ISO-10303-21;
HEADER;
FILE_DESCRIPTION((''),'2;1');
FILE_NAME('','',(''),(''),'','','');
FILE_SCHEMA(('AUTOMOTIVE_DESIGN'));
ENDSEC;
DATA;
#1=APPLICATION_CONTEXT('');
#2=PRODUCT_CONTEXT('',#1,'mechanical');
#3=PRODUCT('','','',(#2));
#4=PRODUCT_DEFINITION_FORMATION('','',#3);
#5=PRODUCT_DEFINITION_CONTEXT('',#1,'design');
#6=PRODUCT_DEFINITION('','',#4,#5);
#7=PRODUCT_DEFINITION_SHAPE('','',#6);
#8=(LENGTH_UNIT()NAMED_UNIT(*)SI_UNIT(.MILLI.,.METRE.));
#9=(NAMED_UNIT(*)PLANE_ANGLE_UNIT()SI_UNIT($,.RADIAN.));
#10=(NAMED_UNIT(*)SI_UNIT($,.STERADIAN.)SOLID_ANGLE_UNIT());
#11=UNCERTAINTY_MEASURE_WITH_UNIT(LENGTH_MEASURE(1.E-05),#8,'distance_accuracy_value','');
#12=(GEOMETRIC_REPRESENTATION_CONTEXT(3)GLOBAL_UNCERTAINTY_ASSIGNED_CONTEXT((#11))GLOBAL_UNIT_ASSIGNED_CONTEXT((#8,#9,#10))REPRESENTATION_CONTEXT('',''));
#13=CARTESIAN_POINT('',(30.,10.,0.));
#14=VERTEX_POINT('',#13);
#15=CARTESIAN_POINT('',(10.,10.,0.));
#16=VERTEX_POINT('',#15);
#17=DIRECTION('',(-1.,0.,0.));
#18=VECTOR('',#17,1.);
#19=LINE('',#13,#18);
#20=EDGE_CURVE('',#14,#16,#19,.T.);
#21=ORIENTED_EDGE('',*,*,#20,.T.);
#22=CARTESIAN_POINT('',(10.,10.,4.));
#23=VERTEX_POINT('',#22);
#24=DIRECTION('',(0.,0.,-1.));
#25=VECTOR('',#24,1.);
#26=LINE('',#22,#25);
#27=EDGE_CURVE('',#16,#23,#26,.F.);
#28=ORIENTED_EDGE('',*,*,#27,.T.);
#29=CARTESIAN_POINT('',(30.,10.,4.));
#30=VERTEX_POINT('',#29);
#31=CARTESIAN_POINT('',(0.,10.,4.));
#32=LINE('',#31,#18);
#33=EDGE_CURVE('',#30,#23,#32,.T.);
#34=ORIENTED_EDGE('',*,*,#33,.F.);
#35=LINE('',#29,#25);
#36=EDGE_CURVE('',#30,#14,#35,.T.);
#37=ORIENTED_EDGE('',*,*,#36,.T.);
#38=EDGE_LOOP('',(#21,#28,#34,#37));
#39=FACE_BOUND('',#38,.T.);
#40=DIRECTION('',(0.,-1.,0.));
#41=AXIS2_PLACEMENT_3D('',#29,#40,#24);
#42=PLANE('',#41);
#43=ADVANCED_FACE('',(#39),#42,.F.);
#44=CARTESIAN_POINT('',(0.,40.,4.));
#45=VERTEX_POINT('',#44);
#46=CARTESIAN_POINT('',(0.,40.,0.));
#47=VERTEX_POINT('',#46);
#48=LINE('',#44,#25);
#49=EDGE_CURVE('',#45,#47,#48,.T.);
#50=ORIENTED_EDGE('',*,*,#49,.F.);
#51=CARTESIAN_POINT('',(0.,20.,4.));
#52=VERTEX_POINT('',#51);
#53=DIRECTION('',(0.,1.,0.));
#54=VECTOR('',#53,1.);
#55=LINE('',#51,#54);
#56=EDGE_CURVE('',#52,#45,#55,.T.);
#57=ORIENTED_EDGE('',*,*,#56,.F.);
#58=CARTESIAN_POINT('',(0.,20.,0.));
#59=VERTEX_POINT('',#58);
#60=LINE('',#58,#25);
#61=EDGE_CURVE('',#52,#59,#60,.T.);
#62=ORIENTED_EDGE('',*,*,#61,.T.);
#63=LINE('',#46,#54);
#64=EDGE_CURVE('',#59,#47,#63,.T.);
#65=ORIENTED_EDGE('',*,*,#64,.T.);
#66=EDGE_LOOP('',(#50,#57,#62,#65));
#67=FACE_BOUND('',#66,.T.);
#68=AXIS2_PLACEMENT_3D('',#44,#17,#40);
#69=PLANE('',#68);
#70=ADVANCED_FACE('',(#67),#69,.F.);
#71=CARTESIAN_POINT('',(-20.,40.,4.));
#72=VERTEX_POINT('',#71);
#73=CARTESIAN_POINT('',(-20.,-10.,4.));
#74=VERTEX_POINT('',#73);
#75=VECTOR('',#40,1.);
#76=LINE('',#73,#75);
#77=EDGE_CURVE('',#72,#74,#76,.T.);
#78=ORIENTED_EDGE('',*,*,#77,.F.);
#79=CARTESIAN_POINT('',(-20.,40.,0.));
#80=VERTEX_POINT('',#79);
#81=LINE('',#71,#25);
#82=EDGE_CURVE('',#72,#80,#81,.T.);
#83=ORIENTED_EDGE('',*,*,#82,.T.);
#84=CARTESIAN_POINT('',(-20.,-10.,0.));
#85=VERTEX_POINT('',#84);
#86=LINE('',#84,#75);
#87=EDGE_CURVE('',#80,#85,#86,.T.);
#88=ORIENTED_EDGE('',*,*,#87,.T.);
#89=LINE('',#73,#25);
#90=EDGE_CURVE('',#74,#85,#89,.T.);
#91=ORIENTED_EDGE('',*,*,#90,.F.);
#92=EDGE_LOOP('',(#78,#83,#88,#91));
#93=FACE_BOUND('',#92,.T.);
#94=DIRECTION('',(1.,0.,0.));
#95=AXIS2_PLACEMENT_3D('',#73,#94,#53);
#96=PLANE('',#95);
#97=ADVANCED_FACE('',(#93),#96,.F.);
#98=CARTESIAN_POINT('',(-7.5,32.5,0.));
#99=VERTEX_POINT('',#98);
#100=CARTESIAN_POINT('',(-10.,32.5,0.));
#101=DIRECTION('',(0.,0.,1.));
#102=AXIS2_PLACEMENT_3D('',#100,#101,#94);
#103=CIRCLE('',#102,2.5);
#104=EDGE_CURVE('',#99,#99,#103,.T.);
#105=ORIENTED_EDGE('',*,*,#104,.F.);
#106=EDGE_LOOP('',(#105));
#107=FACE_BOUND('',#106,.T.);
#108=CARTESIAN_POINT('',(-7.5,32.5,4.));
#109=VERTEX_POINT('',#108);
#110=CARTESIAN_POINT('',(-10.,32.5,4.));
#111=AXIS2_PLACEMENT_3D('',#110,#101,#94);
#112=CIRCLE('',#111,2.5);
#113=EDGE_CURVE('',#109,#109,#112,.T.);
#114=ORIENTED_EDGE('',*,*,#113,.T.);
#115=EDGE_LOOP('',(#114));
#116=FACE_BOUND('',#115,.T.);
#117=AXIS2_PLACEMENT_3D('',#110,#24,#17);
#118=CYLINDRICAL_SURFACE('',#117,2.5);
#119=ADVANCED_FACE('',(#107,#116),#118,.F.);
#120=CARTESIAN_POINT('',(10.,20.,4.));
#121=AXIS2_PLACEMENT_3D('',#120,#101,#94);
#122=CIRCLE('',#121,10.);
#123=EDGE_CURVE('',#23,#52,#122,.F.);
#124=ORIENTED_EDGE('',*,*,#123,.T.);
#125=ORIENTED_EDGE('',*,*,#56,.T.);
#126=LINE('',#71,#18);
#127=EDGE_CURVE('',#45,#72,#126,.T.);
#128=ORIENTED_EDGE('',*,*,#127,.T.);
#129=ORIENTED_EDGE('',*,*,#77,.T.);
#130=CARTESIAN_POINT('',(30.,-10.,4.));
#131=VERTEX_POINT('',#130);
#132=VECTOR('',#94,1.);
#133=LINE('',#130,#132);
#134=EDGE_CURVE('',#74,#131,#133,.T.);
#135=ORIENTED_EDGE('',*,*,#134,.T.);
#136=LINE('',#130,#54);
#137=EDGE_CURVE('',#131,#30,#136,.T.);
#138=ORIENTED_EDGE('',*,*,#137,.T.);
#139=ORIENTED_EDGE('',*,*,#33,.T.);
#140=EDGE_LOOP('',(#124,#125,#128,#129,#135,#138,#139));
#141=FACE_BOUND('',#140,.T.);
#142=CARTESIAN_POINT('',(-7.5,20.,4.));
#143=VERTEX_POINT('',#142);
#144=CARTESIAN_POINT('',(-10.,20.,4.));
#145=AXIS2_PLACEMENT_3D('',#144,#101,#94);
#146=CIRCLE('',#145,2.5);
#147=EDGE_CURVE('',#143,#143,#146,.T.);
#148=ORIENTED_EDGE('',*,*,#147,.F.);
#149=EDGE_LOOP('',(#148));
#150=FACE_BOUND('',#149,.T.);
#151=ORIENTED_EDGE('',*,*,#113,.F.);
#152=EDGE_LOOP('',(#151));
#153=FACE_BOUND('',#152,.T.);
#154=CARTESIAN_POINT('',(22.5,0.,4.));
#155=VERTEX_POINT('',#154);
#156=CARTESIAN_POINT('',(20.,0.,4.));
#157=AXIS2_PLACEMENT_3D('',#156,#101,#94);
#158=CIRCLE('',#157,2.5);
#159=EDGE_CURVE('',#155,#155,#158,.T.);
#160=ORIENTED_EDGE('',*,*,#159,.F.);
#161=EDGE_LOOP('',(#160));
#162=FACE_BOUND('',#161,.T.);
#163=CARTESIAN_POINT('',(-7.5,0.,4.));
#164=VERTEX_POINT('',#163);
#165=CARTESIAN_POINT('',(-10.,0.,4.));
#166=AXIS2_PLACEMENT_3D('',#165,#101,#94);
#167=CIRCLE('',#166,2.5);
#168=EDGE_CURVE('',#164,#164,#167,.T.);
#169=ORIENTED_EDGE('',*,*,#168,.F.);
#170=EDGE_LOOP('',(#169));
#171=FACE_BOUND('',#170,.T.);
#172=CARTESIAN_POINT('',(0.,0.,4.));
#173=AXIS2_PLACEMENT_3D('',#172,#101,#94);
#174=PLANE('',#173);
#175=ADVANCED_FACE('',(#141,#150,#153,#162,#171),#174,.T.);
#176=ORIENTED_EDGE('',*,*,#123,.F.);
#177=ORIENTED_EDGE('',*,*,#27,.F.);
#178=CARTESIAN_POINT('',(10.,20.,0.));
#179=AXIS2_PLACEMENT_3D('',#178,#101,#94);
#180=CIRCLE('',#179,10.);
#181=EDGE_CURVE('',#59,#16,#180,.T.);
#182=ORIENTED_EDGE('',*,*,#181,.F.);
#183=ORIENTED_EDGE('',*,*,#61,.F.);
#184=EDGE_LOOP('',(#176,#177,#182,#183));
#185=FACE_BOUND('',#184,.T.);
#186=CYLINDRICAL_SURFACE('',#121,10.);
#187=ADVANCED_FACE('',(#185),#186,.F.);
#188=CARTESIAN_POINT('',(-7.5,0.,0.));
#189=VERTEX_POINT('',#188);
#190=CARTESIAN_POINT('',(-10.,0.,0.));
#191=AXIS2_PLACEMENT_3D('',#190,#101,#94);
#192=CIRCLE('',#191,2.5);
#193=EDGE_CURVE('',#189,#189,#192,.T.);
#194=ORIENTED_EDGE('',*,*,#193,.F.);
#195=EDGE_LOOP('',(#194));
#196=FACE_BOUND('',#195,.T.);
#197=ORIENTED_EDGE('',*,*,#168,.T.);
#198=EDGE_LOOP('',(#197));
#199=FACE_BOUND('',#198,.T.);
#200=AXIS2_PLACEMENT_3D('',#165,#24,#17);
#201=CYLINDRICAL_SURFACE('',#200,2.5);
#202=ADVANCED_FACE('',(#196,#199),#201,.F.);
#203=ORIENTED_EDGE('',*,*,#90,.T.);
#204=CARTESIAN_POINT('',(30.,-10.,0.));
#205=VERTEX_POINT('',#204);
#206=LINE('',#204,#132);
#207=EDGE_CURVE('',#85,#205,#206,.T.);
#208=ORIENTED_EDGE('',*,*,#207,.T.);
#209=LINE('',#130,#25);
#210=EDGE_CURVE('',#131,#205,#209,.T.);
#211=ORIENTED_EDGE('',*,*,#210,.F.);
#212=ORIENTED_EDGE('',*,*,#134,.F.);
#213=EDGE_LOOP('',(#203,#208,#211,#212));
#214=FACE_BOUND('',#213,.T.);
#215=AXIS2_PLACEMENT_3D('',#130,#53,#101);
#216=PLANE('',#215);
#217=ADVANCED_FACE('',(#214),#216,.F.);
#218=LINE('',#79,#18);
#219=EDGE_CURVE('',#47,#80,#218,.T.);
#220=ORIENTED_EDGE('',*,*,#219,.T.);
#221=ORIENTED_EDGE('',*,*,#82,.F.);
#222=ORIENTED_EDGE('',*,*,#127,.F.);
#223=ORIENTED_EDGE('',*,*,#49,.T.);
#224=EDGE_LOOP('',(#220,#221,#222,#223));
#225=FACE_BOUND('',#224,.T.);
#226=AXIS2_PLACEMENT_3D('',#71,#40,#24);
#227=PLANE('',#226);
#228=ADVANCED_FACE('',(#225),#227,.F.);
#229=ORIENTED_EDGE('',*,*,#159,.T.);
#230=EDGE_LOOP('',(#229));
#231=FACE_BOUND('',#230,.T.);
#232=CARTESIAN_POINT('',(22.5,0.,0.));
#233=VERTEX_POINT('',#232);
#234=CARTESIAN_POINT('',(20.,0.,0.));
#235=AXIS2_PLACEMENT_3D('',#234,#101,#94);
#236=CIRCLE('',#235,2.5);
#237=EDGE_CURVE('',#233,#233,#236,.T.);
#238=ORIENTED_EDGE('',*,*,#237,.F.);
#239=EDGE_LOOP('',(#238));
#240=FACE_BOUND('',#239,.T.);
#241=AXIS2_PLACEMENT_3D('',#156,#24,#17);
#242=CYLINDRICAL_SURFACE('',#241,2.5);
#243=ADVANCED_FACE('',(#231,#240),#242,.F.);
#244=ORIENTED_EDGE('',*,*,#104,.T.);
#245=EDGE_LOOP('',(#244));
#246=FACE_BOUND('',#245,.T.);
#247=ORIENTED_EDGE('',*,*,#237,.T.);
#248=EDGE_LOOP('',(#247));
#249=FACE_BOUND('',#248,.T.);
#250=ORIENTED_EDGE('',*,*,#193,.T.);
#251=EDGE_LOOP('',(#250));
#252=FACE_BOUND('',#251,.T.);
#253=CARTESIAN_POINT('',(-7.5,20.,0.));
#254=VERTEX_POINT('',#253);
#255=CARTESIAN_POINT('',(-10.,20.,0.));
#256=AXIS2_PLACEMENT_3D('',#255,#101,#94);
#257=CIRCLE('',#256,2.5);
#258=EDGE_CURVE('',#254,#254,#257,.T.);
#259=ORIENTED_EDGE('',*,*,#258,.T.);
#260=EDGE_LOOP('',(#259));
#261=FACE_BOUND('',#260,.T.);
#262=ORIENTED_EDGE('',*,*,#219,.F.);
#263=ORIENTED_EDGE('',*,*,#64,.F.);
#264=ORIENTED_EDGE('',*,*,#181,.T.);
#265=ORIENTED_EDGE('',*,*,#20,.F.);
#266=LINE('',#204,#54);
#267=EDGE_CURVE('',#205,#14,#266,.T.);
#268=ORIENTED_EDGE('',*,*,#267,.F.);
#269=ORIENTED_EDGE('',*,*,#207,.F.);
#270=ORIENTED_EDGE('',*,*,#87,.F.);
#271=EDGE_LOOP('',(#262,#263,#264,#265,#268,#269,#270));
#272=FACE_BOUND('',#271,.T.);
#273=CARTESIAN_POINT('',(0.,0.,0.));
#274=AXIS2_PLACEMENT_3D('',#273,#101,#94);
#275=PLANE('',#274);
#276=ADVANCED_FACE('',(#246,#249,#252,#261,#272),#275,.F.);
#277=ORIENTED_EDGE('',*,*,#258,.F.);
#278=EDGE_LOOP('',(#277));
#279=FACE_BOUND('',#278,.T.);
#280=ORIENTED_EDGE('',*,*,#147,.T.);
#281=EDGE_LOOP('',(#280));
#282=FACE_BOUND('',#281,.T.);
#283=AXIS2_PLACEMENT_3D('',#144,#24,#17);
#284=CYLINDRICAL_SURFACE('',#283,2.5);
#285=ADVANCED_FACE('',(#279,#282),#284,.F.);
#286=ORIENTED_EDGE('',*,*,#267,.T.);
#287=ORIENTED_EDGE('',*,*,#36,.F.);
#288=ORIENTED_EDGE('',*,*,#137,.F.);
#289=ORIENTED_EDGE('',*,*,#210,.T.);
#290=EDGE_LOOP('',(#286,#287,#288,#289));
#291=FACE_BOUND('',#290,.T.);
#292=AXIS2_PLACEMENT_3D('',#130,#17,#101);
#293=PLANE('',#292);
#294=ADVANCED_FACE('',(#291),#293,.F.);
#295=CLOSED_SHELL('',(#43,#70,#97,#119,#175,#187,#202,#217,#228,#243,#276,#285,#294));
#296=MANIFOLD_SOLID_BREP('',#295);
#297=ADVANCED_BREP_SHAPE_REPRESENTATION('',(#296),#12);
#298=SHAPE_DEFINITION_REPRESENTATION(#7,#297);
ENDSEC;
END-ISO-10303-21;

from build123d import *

# Parameters (mm, degrees)
SKETCH1_R           = 2.5
BOSS_EXTRUDE1_DEPTH = 4
FILLET1_R           = 10


with BuildPart() as part:
    # Sketch1 → Boss-Extrude1 (new body)
    with BuildSketch(Plane.XY):
        Polygon((-20, -10), (-20, 40), (0, 40), (0, 20), (0, 10), (10, 10), (30, 10), (30, -10), align=None)
        with Locations((-10, 32.5)):
            Circle(SKETCH1_R, mode=Mode.SUBTRACT)
        with Locations((-10, 0)):
            Circle(SKETCH1_R, mode=Mode.SUBTRACT)
        with Locations((20, 0)):
            Circle(SKETCH1_R, mode=Mode.SUBTRACT)
        with Locations((-10, 20)):
            Circle(SKETCH1_R, mode=Mode.SUBTRACT)
    extrude(amount=BOSS_EXTRUDE1_DEPTH)

    # Fillet1
    fillet1_edges = [part.edges().sort_by_distance(p)[0] for p in [
        (0, 10, 2),
    ]]
    fillet(fillet1_edges, radius=FILLET1_R)


solid = part.part
